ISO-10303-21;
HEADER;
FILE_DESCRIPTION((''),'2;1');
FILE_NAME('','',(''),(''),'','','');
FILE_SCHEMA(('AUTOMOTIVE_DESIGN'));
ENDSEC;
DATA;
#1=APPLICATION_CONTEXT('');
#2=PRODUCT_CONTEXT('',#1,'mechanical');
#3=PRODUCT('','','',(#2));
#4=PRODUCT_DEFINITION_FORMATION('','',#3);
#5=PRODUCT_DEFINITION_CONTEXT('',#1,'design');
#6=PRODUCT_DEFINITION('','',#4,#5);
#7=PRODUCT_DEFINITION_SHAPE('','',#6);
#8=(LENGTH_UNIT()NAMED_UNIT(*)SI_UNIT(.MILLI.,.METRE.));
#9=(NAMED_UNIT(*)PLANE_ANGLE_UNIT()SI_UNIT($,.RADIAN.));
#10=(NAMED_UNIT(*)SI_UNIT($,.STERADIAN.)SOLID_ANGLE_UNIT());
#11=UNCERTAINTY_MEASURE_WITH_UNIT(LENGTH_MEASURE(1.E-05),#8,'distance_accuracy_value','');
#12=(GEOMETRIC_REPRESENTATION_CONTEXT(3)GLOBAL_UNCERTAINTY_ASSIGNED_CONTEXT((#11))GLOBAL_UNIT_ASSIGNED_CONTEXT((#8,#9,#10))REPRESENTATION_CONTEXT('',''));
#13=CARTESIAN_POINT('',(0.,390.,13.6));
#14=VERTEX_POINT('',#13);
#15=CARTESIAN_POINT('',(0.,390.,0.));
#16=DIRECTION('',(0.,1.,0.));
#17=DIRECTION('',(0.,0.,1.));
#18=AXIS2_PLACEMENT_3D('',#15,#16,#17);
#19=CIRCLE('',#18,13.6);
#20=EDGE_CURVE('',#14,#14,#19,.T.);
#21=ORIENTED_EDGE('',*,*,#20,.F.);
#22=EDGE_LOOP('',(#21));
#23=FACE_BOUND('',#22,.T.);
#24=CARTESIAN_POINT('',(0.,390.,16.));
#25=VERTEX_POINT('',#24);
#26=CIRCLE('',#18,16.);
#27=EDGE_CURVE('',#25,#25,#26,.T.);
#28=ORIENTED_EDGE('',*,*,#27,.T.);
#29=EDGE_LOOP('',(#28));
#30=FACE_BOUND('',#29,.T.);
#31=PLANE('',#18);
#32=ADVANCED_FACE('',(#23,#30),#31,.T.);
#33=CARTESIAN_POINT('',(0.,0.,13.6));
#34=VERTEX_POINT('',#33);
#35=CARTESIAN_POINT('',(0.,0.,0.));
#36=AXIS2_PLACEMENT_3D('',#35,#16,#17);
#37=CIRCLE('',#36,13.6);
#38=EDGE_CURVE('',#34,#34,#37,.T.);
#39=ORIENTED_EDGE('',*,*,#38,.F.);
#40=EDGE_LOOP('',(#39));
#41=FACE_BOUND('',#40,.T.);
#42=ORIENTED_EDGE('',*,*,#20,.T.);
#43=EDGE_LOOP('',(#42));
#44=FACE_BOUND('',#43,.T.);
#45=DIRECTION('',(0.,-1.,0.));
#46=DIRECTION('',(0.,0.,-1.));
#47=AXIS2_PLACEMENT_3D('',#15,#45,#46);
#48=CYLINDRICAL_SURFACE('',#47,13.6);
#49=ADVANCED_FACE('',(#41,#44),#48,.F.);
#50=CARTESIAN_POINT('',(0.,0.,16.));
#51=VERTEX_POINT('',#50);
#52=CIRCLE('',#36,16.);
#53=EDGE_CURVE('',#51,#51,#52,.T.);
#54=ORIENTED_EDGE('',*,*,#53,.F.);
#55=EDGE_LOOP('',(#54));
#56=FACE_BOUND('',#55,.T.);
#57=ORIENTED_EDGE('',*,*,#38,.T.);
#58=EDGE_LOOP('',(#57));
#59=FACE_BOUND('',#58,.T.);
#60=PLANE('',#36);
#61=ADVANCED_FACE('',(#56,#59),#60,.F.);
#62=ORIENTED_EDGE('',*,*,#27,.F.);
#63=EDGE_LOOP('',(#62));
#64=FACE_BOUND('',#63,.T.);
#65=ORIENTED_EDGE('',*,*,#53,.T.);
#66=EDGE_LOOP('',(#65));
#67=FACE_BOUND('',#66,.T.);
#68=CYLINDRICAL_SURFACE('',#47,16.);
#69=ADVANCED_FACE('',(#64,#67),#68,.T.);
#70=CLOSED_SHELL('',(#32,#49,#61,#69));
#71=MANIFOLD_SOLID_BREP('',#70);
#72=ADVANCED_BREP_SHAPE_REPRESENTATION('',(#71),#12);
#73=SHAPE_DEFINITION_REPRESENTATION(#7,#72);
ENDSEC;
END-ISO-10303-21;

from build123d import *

# Parameters (mm, degrees)
SKETCH_1_R      = 16
SKETCH_1_R_2    = 13.6
EXTRUDE_1_DEPTH = 390


with BuildPart() as part:
    # 草图1 → 凸台-拉伸1 (new body)
    with BuildSketch(Plane(origin=(0, 0, 0), x_dir=(1, 0, 0), z_dir=(0, 1, 0))):
        with Locations(Location((0, 0, 0), (0, 0, 270))):
            Circle(SKETCH_1_R)
        with Locations(Location((0, 0, 0), (0, 0, 270))):
            Circle(SKETCH_1_R_2, mode=Mode.SUBTRACT)
    extrude(amount=EXTRUDE_1_DEPTH)


solid = part.part
